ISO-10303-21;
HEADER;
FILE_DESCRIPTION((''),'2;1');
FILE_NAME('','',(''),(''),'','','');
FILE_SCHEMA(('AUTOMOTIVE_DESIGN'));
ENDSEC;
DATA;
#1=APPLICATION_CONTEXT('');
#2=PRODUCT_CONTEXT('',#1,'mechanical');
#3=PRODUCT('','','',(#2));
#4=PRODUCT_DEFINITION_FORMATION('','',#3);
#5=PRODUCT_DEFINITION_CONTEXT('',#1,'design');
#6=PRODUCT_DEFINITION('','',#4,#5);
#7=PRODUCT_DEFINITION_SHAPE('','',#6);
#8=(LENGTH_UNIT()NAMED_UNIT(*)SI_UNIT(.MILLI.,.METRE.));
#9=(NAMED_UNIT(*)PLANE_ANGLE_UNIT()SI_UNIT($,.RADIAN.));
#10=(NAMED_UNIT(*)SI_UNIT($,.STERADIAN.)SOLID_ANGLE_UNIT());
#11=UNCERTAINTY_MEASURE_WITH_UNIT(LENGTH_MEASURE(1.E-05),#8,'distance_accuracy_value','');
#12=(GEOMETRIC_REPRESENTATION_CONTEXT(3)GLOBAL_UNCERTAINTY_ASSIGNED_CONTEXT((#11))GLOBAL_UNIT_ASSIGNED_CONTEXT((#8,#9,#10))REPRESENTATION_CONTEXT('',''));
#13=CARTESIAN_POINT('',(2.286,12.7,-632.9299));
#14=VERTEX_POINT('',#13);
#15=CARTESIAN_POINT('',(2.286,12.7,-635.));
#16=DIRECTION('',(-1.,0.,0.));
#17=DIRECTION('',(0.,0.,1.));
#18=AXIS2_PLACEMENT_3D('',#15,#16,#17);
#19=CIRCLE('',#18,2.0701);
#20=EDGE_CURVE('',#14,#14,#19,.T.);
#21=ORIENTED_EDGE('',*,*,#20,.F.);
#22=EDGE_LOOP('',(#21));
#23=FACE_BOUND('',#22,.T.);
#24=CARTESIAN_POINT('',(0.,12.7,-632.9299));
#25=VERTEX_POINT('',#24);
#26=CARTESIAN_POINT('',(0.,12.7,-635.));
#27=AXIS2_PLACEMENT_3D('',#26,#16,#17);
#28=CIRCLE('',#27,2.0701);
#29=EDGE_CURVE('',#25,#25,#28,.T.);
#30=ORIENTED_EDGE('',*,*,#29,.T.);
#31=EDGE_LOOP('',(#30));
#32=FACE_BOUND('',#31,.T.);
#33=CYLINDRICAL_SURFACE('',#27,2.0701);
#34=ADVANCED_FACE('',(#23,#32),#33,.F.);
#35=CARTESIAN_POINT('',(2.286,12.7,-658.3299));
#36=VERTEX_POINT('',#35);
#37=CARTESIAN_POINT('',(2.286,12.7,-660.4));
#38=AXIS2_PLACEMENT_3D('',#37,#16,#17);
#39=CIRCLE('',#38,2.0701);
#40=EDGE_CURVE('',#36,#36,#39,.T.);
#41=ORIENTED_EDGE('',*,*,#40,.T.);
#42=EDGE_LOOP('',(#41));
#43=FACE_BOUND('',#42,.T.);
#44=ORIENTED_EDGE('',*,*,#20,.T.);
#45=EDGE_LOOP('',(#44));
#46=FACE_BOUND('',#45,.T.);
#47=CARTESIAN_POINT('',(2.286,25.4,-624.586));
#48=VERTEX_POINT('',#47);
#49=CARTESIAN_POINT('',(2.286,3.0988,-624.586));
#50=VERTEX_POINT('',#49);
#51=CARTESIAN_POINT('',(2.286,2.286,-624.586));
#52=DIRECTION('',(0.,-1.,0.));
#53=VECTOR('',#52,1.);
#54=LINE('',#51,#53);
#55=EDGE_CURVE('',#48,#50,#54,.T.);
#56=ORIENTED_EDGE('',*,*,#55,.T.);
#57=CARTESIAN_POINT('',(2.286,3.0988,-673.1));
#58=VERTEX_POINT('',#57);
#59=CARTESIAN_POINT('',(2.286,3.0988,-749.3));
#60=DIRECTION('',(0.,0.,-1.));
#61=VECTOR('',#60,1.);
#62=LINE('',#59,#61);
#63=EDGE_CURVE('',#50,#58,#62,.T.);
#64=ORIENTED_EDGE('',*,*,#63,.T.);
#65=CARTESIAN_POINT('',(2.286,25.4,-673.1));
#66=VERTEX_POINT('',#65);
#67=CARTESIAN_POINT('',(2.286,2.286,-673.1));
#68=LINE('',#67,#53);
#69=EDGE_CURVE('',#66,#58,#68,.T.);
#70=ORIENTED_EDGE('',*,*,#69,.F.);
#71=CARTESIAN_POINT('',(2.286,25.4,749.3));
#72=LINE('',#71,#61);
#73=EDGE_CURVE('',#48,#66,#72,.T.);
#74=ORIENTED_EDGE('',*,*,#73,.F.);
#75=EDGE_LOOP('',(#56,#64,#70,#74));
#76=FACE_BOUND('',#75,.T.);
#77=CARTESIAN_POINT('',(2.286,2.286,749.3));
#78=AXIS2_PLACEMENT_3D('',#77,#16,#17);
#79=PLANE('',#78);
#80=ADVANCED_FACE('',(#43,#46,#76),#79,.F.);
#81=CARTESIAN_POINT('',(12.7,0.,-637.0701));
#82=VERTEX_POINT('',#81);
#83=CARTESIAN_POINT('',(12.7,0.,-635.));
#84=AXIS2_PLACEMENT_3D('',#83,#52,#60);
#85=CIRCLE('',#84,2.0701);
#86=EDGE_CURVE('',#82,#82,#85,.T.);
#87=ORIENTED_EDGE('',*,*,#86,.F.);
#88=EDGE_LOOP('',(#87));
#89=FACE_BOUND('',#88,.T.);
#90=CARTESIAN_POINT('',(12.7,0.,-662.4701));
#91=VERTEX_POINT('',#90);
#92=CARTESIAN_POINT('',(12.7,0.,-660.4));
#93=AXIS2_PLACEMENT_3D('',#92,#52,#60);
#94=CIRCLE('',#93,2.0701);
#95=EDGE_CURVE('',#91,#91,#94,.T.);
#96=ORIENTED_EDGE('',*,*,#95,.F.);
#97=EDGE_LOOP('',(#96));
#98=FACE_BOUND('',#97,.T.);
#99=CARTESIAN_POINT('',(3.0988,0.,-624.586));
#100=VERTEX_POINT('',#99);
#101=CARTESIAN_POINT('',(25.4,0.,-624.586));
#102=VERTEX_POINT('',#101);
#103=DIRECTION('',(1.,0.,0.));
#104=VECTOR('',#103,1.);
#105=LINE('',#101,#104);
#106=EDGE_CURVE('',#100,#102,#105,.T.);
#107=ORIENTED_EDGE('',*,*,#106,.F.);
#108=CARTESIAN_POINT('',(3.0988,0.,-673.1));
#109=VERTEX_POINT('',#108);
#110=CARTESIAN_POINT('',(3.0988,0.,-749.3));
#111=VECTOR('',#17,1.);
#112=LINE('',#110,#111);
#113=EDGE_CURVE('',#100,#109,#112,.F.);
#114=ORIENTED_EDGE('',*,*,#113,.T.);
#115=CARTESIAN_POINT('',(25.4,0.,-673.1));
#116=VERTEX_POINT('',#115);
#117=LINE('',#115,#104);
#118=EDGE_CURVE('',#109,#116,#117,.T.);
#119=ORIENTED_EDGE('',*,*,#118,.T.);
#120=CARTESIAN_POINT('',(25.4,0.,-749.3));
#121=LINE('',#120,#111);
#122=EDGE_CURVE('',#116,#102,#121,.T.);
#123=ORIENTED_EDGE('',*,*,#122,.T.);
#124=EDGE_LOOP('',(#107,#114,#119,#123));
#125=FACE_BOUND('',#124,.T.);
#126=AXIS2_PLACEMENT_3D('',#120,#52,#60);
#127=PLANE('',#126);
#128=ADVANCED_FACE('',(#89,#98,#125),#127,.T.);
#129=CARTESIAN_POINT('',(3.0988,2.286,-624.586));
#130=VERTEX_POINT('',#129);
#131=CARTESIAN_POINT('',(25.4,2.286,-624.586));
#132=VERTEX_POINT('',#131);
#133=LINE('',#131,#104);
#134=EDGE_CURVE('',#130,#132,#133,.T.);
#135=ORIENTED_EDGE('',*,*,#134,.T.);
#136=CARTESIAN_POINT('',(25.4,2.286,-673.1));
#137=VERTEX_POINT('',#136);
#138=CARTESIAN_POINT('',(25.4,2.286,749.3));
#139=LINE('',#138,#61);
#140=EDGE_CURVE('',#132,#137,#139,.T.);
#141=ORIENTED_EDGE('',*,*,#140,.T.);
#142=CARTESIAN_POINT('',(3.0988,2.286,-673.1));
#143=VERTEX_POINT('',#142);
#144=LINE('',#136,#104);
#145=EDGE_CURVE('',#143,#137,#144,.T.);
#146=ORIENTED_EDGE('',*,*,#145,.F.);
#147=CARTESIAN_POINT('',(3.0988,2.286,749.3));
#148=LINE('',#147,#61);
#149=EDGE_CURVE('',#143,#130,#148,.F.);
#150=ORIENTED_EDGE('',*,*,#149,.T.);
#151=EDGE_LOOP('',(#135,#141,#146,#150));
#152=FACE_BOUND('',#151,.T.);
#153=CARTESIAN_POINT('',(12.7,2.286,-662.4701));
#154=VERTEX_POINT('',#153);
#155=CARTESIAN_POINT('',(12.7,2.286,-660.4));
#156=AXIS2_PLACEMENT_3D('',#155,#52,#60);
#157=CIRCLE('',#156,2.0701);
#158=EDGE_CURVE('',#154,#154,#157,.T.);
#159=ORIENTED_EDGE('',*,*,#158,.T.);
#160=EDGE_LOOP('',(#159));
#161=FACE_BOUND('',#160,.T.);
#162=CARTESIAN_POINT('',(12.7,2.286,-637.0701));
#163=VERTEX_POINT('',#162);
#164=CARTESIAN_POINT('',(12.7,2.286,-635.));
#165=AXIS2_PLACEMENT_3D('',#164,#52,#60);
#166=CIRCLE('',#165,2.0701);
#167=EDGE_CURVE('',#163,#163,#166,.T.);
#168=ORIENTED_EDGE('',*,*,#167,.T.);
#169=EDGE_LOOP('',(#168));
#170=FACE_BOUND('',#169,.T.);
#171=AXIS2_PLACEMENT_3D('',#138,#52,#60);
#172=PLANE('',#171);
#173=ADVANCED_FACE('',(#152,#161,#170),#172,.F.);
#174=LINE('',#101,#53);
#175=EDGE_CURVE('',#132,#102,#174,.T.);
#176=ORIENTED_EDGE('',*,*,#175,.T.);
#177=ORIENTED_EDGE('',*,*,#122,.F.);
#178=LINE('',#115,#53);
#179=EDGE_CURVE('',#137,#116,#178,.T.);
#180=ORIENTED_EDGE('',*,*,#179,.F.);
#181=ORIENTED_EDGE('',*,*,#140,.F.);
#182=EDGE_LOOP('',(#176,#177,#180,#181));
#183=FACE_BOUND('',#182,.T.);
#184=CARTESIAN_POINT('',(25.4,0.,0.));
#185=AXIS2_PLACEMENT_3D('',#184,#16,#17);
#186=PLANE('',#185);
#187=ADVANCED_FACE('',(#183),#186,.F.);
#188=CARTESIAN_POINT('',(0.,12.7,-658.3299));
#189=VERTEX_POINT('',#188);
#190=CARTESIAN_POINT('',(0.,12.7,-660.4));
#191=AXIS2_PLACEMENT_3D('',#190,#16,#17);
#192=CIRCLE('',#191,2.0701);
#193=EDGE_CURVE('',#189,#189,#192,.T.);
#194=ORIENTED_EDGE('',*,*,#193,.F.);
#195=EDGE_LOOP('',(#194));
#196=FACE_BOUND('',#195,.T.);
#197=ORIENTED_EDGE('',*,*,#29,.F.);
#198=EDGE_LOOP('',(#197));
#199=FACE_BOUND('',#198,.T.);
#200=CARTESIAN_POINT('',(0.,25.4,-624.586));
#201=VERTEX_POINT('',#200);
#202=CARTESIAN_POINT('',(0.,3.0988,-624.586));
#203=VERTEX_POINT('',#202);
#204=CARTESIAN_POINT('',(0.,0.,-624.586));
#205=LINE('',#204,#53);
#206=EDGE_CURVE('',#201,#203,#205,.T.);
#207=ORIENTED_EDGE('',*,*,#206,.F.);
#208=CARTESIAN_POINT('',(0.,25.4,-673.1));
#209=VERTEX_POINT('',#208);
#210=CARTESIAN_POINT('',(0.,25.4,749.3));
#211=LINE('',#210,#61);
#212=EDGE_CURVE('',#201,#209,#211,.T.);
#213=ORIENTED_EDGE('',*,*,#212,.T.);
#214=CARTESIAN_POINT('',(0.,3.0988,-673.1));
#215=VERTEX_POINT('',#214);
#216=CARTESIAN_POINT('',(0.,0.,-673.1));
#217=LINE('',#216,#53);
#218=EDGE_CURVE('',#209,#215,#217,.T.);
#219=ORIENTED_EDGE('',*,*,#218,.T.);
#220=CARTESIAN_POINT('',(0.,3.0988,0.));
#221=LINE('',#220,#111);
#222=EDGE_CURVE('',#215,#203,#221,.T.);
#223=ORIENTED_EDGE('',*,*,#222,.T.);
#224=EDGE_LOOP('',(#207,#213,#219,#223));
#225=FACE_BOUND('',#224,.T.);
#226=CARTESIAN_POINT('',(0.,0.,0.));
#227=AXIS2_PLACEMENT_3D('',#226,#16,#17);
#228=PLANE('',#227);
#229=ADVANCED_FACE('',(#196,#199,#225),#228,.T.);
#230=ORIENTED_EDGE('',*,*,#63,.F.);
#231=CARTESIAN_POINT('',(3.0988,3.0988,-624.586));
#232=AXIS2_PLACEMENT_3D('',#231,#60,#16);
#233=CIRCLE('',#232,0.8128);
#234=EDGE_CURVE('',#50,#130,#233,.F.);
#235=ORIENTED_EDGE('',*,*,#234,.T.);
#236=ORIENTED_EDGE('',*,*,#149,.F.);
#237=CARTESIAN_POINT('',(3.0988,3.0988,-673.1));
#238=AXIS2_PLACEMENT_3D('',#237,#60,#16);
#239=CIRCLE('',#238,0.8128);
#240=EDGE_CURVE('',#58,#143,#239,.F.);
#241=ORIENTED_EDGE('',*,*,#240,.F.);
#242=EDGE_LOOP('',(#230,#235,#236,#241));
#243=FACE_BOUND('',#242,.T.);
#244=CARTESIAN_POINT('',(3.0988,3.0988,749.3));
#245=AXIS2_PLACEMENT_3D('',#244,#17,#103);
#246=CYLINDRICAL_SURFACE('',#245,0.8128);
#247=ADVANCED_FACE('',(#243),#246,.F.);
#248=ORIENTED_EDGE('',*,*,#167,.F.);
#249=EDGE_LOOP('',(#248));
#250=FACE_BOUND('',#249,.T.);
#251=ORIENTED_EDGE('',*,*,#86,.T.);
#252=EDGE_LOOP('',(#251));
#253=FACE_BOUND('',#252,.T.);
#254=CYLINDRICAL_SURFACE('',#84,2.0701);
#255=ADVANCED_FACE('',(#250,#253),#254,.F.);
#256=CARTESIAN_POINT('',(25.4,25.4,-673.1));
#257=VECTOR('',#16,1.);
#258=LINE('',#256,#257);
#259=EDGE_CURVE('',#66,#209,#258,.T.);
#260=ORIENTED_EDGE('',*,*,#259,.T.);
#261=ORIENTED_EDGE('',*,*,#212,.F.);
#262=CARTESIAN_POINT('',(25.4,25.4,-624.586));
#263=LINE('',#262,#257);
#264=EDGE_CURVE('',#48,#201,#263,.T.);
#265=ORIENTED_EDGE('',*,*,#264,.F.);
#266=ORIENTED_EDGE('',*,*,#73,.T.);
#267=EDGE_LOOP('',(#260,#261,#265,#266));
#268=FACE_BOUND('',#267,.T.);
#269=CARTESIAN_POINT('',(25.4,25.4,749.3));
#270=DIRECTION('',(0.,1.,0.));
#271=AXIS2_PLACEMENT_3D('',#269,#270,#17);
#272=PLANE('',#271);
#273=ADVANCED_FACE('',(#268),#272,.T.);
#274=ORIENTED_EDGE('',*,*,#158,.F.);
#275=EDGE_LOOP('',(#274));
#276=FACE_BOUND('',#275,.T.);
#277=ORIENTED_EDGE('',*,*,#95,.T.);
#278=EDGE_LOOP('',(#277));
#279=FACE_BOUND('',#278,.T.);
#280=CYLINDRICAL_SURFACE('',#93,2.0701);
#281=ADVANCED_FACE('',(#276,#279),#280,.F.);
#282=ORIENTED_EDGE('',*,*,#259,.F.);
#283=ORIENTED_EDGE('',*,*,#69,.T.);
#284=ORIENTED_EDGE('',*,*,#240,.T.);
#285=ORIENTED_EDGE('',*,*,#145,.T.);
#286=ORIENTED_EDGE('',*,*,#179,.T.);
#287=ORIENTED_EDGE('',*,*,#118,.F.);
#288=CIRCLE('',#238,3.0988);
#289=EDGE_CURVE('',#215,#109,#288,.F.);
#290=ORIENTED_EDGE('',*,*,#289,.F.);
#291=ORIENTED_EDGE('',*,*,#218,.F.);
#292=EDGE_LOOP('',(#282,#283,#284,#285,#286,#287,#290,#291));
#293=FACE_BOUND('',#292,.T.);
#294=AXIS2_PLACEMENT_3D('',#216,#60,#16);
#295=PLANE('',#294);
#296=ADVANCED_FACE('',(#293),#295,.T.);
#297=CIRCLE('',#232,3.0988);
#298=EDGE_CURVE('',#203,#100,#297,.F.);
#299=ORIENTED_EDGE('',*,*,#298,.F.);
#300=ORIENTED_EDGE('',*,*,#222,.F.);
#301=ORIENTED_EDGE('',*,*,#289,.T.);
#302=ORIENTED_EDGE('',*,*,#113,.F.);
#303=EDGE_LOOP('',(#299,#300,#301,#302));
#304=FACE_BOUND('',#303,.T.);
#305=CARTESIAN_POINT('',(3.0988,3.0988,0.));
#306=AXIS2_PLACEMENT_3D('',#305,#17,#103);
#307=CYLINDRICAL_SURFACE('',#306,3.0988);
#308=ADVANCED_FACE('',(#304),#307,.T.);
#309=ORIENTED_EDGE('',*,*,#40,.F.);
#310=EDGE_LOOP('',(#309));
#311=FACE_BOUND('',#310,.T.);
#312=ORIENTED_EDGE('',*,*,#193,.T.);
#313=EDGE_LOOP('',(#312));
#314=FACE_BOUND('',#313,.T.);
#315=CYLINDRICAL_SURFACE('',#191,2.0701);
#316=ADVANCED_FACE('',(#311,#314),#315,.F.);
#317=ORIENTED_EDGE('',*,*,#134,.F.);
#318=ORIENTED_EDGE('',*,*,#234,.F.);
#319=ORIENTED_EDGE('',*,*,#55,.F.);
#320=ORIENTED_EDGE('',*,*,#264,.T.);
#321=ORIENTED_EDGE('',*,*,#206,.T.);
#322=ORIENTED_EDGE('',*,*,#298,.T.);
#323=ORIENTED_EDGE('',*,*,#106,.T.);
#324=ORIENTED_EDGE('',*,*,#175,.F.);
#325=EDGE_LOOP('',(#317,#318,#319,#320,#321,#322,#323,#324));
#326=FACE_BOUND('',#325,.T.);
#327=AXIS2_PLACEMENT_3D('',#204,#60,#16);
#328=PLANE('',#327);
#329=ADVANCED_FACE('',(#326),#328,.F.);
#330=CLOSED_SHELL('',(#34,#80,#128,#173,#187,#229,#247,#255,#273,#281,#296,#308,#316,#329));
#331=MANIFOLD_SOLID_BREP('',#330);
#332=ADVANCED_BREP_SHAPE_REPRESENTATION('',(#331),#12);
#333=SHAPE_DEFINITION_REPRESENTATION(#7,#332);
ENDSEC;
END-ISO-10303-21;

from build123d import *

# Parameters (mm, degrees)
SKETCH1_W                  = 25.4
SKETCH1_H                  = 1498.6
BOSS_EXTRUDE1_DEPTH        = 25.4
SKETCH2_W                  = 23.114
SKETCH2_H                  = 23.114
CUT_EXTRUDE1_DEPTH         = 1499.6
M3_5_CLEARANCE_HOLE1_D     = 4.1402
M3_5_CLEARANCE_HOLE1_DEPTH = 25.4
M3_5_CLEARANCE_HOLE2_D     = 4.1402
M3_5_CLEARANCE_HOLE2_DEPTH = 25.4
CHAMFER1_SIZE              = 2.159
FILLET1_R                  = 0.8128
FILLET2_R                  = 3.0988
SKETCH8_W                  = 95.882963774
SKETCH8_H                  = 79.338329604
CUT_EXTRUDE3_DEPTH         = 1371.6
SKETCH9_W                  = 56.924523055
SKETCH9_H                  = 51.282783217
CUT_EXTRUDE4_DEPTH         = 76.2
SKETCH11_W                 = 51.462522779
SKETCH11_H                 = 66.676735099
CUT_EXTRUDE6_DEPTH         = 2.286


with BuildPart() as part:
    # Sketch1 → Boss-Extrude1 (new body)
    with BuildSketch(Plane(origin=(0, 0, 0), x_dir=(0, -1, 0), z_dir=(-1, 0, 0))):
        with Locations((-12.7, 0)):
            Rectangle(SKETCH1_W, SKETCH1_H)
    extrude(amount=-BOSS_EXTRUDE1_DEPTH)

    # Sketch2 → Cut-Extrude1 (cut, through all)
    with BuildSketch(Plane(origin=(0, 0, -749.3), x_dir=(-1, 0, 0), z_dir=(0, 0, -1))):
        with Locations((-13.843, 13.843)):
            Rectangle(SKETCH2_W, SKETCH2_H)
    extrude(amount=-CUT_EXTRUDE1_DEPTH, mode=Mode.SUBTRACT)

    # M3.5 Clearance Hole1
    with Locations(Plane(origin=(0, 0, 0), x_dir=(-1, 0, 0), z_dir=(0, -1, 0))):
        with Locations((-12.7, 736.6), (-12.7, 711.2), (-12.7, 685.8), (-12.7, 660.4), (-12.7, 635), (-12.7, 609.6), (-12.7, 584.2), (-12.7, 558.8), (-12.7, 533.4), (-12.7, 508), (-12.7, 482.6), (-12.7, 457.2), (-12.7, 431.8), (-12.7, 406.4), (-12.7, 381), (-12.7, 355.6), (-12.7, 330.2), (-12.7, 304.8), (-12.7, 279.4), (-12.7, 254), (-12.7, 228.6), (-12.7, 203.2), (-12.7, 177.8), (-12.7, 152.4), (-12.7, 127), (-12.7, 101.6), (-12.7, 76.2), (-12.7, 50.8), (-12.7, 25.4), (-12.7, 0), (-12.7, -25.4), (-12.7, -50.8), (-12.7, -76.2), (-12.7, -101.6), (-12.7, -127), (-12.7, -152.4), (-12.7, -177.8), (-12.7, -203.2), (-12.7, -228.6), (-12.7, -254), (-12.7, -279.4), (-12.7, -304.8), (-12.7, -330.2), (-12.7, -355.6), (-12.7, -381), (-12.7, -406.4), (-12.7, -431.8), (-12.7, -457.2), (-12.7, -482.6), (-12.7, -508), (-12.7, -533.4), (-12.7, -558.8), (-12.7, -584.2), (-12.7, -609.6), (-12.7, -635), (-12.7, -660.4), (-12.7, -685.8), (-12.7, -711.2), (-12.7, -736.6)):
            Hole(M3_5_CLEARANCE_HOLE1_D / 2, depth=M3_5_CLEARANCE_HOLE1_DEPTH)

    # M3.5 Clearance Hole2
    with Locations(Plane.ZY):
        with Locations((711.2, 12.7), (736.6, 12.7), (685.8, 12.7), (660.4, 12.7), (635, 12.7), (609.6, 12.7), (584.2, 12.7), (558.8, 12.7), (533.4, 12.7), (508, 12.7), (482.6, 12.7), (457.2, 12.7), (431.8, 12.7), (406.4, 12.7), (381, 12.7), (355.6, 12.7), (330.2, 12.7), (304.8, 12.7), (279.4, 12.7), (254, 12.7), (228.6, 12.7), (203.2, 12.7), (177.8, 12.7), (152.4, 12.7), (127, 12.7), (101.6, 12.7), (76.2, 12.7), (50.8, 12.7), (25.4, 12.7), (0, 12.7), (-25.4, 12.7), (-50.8, 12.7), (-76.2, 12.7), (-101.6, 12.7), (-127, 12.7), (-152.4, 12.7), (-177.8, 12.7), (-203.2, 12.7), (-228.6, 12.7), (-254, 12.7), (-279.4, 12.7), (-304.8, 12.7), (-330.2, 12.7), (-355.6, 12.7), (-381, 12.7), (-406.4, 12.7), (-431.8, 12.7), (-457.2, 12.7), (-482.6, 12.7), (-508, 12.7), (-533.4, 12.7), (-558.8, 12.7), (-584.2, 12.7), (-609.6, 12.7), (-635, 12.7), (-660.4, 12.7), (-685.8, 12.7), (-711.2, 12.7), (-736.6, 12.7)):
            Hole(M3_5_CLEARANCE_HOLE2_D / 2, depth=M3_5_CLEARANCE_HOLE2_DEPTH)

    # Chamfer1
    chamfer1_edges = [part.edges().sort_by_distance(p)[0] for p in [
        (25.4, 1.143, -749.3),
        (1.143, 25.4, 749.3),
        (1.143, 25.4, -749.3),
        (25.4, 1.143, 749.3),
    ]]
    chamfer(chamfer1_edges, length=CHAMFER1_SIZE)

    # Fillet1
    fillet1_edges = [part.edges().sort_by_distance(p)[0] for p in [
        (2.286, 2.286, 0),
    ]]
    fillet(fillet1_edges, radius=FILLET1_R)

    # Fillet2
    fillet2_edges = [part.edges().sort_by_distance(p)[0] for p in [
        (0, 0, 0),
    ]]
    fillet(fillet2_edges, radius=FILLET2_R)

    # Sketch8 → Cut-Extrude3 (cut)
    with BuildSketch(Plane.XY.offset(749.3)):
        with Locations((2.286, 3.0988)):
            Rectangle(SKETCH8_W, SKETCH8_H)
    extrude(amount=-CUT_EXTRUDE3_DEPTH, mode=Mode.SUBTRACT)

    # Sketch9 → Cut-Extrude4 (cut)
    with BuildSketch(Plane(origin=(0, 0, -749.3), x_dir=(-1, 0, 0), z_dir=(0, 0, -1))):
        with Locations((-2.180776643, 1.30746368)):
            Rectangle(SKETCH9_W, SKETCH9_H)
    extrude(amount=-CUT_EXTRUDE4_DEPTH, mode=Mode.SUBTRACT)

    # Sketch11 → Cut-Extrude6 (cut)
    with BuildSketch(Plane.XY.offset(-622.3)):
        with Locations((1.85517497, 1.74884985)):
            Rectangle(SKETCH11_W, SKETCH11_H)
    extrude(amount=-CUT_EXTRUDE6_DEPTH, mode=Mode.SUBTRACT)


solid = part.part
